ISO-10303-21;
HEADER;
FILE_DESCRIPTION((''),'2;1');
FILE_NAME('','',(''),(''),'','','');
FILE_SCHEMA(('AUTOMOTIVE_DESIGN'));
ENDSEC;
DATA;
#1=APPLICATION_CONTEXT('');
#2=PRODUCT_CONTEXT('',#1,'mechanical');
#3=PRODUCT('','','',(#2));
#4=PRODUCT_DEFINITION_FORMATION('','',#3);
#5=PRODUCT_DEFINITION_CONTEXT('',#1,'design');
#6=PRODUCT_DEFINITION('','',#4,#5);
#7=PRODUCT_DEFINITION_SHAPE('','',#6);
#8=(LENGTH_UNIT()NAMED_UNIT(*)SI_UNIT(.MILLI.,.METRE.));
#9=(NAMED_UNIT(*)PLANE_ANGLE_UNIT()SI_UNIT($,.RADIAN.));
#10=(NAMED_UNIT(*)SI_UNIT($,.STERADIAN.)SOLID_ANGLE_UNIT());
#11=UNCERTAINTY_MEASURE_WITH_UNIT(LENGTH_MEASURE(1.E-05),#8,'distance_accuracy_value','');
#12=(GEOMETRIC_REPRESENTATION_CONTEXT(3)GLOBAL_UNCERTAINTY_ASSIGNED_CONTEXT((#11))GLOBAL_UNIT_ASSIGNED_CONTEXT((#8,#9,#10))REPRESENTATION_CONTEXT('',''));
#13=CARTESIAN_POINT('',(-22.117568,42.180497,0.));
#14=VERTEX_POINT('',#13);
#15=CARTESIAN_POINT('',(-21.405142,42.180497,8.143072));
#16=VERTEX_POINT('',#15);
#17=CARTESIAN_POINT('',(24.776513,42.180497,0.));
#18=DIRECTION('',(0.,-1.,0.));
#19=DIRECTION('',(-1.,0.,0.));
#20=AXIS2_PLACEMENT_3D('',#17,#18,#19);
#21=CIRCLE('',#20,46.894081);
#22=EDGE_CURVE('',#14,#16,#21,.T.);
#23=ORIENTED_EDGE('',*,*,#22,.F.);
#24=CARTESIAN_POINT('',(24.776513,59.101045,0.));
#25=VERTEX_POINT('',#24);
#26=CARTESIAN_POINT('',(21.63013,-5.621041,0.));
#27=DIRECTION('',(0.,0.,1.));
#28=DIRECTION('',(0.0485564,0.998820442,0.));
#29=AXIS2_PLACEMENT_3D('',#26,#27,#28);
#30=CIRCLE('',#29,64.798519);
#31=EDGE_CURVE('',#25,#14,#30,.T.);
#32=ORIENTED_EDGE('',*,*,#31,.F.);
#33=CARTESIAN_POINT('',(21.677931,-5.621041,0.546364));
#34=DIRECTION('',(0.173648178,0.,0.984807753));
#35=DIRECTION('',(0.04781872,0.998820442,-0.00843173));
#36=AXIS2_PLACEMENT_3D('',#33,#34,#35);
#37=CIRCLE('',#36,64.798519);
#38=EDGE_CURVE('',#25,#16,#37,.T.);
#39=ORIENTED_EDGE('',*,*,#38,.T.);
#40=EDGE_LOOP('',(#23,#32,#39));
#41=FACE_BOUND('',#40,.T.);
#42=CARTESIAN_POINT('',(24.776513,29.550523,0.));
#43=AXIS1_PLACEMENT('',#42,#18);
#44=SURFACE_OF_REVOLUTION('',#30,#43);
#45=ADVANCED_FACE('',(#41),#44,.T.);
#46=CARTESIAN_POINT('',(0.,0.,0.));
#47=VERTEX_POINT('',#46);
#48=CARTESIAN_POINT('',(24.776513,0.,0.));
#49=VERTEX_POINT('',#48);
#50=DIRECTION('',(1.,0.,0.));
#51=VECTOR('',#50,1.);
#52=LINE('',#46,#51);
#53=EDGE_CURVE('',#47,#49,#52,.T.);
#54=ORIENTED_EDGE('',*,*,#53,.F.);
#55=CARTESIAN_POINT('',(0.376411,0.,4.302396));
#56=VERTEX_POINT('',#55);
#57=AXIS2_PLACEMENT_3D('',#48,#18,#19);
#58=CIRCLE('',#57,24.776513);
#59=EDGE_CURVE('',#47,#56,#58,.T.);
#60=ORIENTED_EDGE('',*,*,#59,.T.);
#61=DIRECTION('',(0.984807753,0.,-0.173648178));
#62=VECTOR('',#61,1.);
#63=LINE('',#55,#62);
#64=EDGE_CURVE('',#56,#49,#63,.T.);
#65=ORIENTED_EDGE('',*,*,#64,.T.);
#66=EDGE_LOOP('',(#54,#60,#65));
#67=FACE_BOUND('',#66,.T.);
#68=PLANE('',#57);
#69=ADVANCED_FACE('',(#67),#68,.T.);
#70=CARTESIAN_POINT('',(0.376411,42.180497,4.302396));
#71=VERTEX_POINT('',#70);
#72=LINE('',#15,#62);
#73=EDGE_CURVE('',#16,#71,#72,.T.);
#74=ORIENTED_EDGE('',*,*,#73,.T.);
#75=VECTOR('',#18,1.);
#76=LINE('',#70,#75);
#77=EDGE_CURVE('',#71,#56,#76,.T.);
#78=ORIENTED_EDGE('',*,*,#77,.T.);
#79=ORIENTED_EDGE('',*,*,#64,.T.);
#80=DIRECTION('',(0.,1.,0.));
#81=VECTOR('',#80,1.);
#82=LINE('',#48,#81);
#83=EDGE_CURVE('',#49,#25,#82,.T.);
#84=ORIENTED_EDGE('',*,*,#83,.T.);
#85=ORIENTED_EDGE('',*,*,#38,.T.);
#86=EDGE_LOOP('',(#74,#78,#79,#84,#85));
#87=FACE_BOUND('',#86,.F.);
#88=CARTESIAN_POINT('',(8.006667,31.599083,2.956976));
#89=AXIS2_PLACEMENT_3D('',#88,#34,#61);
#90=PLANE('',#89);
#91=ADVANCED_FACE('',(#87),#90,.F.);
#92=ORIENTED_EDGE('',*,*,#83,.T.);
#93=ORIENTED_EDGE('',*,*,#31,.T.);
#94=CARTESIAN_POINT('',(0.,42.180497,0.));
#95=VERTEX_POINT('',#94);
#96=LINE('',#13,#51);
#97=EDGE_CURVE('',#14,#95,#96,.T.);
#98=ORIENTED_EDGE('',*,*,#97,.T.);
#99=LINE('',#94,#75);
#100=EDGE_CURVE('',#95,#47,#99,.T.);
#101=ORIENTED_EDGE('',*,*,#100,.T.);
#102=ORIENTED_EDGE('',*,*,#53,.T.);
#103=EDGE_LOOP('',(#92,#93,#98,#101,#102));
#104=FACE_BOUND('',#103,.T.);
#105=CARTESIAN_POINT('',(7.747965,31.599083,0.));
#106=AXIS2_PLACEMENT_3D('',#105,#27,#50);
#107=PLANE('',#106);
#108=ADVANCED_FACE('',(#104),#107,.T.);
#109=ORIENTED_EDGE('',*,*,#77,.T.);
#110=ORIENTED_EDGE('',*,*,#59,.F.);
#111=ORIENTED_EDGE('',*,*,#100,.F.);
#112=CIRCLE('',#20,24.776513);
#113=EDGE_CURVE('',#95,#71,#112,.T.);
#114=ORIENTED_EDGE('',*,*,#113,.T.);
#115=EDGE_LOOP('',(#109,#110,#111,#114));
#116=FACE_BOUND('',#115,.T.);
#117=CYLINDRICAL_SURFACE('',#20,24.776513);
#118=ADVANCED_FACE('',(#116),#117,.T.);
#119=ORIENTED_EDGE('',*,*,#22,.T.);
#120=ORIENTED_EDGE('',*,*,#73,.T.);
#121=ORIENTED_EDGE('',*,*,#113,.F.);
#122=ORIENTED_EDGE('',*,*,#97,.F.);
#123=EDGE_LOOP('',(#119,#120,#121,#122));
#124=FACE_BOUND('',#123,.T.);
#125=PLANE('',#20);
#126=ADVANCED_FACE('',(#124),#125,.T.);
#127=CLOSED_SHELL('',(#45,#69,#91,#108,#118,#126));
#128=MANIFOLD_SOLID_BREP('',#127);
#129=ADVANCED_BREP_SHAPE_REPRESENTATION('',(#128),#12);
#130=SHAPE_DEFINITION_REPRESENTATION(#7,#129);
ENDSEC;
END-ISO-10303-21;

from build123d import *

# Parameters (mm, degrees)
F1_ANGLE = -350


with BuildPart() as f1:
    # F0 (on Top) → F1 (revolve)
    with BuildSketch(Plane.XY):
        with BuildLine():
            Line((0, 42.180497), (0, 0))
            Line((0, 0), (24.776513, 0))
            Line((24.776513, 0), (24.776513, 59.101045))
            ThreePointArc((24.776513, 59.101045), (-0.36289, 55.331032), (-22.117568, 42.180497))
            Line((-22.117568, 42.180497), (0, 42.180497))
        make_face()
    revolve(axis=Axis((24.776513, 29.550523, 0), (0, 1, 0)), revolution_arc=F1_ANGLE)


solid = f1.part
